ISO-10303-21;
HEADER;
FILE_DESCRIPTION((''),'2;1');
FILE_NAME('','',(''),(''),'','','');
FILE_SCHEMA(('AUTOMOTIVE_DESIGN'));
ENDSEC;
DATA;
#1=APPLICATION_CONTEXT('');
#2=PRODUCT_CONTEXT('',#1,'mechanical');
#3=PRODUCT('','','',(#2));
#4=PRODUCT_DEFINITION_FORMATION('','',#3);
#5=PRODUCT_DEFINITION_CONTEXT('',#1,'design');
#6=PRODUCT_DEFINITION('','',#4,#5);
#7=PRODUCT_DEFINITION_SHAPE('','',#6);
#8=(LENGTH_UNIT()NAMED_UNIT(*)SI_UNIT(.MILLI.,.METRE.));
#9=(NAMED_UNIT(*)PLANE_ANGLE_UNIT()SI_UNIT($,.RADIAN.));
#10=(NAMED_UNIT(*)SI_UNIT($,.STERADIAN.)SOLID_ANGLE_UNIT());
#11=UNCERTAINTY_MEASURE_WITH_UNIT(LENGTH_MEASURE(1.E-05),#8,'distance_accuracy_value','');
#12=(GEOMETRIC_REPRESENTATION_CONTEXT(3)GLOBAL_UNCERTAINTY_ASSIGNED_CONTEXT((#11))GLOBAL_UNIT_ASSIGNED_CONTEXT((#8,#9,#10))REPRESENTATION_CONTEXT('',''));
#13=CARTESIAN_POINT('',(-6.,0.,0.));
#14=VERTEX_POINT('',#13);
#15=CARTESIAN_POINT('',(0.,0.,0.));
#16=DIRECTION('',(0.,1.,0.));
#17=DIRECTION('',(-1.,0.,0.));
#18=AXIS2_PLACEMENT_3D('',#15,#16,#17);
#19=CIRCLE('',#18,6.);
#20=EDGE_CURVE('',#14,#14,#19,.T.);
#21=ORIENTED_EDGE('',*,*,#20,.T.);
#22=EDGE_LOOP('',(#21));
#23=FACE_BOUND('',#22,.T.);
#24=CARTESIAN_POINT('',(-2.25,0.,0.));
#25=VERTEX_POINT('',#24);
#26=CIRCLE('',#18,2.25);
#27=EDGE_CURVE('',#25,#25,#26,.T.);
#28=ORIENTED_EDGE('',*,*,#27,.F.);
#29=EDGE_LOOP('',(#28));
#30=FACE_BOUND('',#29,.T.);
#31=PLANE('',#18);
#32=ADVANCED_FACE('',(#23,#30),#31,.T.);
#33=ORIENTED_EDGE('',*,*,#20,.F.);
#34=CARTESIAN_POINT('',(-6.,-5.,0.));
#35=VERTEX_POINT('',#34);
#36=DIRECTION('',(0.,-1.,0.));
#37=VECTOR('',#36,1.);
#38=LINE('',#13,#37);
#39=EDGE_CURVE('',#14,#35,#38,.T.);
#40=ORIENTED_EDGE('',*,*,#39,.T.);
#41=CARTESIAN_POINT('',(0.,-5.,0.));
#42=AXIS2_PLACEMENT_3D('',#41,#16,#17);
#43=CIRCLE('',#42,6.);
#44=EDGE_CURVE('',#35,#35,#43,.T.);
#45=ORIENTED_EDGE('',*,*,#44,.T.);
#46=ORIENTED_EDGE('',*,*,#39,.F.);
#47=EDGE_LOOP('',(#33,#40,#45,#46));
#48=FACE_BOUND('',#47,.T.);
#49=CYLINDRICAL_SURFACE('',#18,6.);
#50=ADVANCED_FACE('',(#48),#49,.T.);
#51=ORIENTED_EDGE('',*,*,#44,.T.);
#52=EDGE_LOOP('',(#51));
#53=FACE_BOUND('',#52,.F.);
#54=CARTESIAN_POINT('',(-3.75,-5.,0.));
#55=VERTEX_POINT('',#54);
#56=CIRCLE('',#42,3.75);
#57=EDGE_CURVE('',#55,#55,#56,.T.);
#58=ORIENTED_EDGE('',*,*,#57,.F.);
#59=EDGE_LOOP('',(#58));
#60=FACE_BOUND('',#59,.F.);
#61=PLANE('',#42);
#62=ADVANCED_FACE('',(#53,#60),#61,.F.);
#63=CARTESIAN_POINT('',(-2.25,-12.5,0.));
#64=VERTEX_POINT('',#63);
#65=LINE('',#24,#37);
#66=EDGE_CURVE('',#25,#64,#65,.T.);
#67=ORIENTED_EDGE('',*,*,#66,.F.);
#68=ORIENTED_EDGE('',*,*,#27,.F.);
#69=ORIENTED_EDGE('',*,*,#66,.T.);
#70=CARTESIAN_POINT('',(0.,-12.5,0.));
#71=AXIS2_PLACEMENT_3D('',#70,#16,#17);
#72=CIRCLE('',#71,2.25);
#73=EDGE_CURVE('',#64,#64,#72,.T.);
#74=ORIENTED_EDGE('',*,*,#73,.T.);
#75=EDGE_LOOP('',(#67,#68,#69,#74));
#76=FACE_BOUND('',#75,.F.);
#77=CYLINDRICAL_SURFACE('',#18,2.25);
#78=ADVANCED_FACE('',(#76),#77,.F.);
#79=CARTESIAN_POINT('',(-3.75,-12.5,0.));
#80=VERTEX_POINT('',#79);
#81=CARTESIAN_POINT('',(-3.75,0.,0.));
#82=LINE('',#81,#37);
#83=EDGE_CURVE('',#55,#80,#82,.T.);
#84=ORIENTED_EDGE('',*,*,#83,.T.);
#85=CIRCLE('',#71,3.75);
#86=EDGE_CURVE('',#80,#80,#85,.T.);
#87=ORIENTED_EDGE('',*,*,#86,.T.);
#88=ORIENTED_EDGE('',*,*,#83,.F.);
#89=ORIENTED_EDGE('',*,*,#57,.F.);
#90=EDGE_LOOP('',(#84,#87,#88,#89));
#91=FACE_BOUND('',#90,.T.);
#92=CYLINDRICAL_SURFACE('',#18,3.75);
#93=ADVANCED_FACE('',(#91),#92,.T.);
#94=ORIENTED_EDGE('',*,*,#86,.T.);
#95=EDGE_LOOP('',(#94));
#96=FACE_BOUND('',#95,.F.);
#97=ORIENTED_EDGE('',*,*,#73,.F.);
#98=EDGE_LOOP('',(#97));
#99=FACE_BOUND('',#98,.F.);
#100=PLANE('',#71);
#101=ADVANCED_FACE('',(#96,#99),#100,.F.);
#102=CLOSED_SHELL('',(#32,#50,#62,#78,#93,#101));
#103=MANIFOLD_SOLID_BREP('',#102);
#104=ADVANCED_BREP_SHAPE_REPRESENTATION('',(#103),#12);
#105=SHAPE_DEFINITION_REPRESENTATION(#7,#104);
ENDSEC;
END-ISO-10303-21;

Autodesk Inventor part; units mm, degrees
ref_plane "YZ Plane" through (0, 0, 0) normal (1, 0, 0) x (0, 1, 0)
ref_plane "XZ Plane" through (0, 0, 0) normal (0, 1, 0) x (-1, 0, 0)
ref_plane "XY Plane" through (0, 0, 0) normal (0, 0, 1) x (1, 0, 0)
sketch "Sketch1" plane through (0, 0, 0) normal (0, 1, 0) x (-1, 0, 0)
  circle A0 centre (0, 0) radius 2.25
  circle A1 centre (0, 0) radius 3.75
  circle A2 centre (0, 0) radius 6
  dimension "d0" = 4.5
  dimension "d1" = 7.5
  dimension "d2" = 12
extrude "Extrusion1" add sketch "Sketch1" against normal blind 12.5 contours A1
extrude "Extrusion2" add sketch "Sketch1" against normal blind 5 contours A2
thread "Thread1" size "M8x1.25" class "6g" standard "ANSI Metric M Profile" length 10
